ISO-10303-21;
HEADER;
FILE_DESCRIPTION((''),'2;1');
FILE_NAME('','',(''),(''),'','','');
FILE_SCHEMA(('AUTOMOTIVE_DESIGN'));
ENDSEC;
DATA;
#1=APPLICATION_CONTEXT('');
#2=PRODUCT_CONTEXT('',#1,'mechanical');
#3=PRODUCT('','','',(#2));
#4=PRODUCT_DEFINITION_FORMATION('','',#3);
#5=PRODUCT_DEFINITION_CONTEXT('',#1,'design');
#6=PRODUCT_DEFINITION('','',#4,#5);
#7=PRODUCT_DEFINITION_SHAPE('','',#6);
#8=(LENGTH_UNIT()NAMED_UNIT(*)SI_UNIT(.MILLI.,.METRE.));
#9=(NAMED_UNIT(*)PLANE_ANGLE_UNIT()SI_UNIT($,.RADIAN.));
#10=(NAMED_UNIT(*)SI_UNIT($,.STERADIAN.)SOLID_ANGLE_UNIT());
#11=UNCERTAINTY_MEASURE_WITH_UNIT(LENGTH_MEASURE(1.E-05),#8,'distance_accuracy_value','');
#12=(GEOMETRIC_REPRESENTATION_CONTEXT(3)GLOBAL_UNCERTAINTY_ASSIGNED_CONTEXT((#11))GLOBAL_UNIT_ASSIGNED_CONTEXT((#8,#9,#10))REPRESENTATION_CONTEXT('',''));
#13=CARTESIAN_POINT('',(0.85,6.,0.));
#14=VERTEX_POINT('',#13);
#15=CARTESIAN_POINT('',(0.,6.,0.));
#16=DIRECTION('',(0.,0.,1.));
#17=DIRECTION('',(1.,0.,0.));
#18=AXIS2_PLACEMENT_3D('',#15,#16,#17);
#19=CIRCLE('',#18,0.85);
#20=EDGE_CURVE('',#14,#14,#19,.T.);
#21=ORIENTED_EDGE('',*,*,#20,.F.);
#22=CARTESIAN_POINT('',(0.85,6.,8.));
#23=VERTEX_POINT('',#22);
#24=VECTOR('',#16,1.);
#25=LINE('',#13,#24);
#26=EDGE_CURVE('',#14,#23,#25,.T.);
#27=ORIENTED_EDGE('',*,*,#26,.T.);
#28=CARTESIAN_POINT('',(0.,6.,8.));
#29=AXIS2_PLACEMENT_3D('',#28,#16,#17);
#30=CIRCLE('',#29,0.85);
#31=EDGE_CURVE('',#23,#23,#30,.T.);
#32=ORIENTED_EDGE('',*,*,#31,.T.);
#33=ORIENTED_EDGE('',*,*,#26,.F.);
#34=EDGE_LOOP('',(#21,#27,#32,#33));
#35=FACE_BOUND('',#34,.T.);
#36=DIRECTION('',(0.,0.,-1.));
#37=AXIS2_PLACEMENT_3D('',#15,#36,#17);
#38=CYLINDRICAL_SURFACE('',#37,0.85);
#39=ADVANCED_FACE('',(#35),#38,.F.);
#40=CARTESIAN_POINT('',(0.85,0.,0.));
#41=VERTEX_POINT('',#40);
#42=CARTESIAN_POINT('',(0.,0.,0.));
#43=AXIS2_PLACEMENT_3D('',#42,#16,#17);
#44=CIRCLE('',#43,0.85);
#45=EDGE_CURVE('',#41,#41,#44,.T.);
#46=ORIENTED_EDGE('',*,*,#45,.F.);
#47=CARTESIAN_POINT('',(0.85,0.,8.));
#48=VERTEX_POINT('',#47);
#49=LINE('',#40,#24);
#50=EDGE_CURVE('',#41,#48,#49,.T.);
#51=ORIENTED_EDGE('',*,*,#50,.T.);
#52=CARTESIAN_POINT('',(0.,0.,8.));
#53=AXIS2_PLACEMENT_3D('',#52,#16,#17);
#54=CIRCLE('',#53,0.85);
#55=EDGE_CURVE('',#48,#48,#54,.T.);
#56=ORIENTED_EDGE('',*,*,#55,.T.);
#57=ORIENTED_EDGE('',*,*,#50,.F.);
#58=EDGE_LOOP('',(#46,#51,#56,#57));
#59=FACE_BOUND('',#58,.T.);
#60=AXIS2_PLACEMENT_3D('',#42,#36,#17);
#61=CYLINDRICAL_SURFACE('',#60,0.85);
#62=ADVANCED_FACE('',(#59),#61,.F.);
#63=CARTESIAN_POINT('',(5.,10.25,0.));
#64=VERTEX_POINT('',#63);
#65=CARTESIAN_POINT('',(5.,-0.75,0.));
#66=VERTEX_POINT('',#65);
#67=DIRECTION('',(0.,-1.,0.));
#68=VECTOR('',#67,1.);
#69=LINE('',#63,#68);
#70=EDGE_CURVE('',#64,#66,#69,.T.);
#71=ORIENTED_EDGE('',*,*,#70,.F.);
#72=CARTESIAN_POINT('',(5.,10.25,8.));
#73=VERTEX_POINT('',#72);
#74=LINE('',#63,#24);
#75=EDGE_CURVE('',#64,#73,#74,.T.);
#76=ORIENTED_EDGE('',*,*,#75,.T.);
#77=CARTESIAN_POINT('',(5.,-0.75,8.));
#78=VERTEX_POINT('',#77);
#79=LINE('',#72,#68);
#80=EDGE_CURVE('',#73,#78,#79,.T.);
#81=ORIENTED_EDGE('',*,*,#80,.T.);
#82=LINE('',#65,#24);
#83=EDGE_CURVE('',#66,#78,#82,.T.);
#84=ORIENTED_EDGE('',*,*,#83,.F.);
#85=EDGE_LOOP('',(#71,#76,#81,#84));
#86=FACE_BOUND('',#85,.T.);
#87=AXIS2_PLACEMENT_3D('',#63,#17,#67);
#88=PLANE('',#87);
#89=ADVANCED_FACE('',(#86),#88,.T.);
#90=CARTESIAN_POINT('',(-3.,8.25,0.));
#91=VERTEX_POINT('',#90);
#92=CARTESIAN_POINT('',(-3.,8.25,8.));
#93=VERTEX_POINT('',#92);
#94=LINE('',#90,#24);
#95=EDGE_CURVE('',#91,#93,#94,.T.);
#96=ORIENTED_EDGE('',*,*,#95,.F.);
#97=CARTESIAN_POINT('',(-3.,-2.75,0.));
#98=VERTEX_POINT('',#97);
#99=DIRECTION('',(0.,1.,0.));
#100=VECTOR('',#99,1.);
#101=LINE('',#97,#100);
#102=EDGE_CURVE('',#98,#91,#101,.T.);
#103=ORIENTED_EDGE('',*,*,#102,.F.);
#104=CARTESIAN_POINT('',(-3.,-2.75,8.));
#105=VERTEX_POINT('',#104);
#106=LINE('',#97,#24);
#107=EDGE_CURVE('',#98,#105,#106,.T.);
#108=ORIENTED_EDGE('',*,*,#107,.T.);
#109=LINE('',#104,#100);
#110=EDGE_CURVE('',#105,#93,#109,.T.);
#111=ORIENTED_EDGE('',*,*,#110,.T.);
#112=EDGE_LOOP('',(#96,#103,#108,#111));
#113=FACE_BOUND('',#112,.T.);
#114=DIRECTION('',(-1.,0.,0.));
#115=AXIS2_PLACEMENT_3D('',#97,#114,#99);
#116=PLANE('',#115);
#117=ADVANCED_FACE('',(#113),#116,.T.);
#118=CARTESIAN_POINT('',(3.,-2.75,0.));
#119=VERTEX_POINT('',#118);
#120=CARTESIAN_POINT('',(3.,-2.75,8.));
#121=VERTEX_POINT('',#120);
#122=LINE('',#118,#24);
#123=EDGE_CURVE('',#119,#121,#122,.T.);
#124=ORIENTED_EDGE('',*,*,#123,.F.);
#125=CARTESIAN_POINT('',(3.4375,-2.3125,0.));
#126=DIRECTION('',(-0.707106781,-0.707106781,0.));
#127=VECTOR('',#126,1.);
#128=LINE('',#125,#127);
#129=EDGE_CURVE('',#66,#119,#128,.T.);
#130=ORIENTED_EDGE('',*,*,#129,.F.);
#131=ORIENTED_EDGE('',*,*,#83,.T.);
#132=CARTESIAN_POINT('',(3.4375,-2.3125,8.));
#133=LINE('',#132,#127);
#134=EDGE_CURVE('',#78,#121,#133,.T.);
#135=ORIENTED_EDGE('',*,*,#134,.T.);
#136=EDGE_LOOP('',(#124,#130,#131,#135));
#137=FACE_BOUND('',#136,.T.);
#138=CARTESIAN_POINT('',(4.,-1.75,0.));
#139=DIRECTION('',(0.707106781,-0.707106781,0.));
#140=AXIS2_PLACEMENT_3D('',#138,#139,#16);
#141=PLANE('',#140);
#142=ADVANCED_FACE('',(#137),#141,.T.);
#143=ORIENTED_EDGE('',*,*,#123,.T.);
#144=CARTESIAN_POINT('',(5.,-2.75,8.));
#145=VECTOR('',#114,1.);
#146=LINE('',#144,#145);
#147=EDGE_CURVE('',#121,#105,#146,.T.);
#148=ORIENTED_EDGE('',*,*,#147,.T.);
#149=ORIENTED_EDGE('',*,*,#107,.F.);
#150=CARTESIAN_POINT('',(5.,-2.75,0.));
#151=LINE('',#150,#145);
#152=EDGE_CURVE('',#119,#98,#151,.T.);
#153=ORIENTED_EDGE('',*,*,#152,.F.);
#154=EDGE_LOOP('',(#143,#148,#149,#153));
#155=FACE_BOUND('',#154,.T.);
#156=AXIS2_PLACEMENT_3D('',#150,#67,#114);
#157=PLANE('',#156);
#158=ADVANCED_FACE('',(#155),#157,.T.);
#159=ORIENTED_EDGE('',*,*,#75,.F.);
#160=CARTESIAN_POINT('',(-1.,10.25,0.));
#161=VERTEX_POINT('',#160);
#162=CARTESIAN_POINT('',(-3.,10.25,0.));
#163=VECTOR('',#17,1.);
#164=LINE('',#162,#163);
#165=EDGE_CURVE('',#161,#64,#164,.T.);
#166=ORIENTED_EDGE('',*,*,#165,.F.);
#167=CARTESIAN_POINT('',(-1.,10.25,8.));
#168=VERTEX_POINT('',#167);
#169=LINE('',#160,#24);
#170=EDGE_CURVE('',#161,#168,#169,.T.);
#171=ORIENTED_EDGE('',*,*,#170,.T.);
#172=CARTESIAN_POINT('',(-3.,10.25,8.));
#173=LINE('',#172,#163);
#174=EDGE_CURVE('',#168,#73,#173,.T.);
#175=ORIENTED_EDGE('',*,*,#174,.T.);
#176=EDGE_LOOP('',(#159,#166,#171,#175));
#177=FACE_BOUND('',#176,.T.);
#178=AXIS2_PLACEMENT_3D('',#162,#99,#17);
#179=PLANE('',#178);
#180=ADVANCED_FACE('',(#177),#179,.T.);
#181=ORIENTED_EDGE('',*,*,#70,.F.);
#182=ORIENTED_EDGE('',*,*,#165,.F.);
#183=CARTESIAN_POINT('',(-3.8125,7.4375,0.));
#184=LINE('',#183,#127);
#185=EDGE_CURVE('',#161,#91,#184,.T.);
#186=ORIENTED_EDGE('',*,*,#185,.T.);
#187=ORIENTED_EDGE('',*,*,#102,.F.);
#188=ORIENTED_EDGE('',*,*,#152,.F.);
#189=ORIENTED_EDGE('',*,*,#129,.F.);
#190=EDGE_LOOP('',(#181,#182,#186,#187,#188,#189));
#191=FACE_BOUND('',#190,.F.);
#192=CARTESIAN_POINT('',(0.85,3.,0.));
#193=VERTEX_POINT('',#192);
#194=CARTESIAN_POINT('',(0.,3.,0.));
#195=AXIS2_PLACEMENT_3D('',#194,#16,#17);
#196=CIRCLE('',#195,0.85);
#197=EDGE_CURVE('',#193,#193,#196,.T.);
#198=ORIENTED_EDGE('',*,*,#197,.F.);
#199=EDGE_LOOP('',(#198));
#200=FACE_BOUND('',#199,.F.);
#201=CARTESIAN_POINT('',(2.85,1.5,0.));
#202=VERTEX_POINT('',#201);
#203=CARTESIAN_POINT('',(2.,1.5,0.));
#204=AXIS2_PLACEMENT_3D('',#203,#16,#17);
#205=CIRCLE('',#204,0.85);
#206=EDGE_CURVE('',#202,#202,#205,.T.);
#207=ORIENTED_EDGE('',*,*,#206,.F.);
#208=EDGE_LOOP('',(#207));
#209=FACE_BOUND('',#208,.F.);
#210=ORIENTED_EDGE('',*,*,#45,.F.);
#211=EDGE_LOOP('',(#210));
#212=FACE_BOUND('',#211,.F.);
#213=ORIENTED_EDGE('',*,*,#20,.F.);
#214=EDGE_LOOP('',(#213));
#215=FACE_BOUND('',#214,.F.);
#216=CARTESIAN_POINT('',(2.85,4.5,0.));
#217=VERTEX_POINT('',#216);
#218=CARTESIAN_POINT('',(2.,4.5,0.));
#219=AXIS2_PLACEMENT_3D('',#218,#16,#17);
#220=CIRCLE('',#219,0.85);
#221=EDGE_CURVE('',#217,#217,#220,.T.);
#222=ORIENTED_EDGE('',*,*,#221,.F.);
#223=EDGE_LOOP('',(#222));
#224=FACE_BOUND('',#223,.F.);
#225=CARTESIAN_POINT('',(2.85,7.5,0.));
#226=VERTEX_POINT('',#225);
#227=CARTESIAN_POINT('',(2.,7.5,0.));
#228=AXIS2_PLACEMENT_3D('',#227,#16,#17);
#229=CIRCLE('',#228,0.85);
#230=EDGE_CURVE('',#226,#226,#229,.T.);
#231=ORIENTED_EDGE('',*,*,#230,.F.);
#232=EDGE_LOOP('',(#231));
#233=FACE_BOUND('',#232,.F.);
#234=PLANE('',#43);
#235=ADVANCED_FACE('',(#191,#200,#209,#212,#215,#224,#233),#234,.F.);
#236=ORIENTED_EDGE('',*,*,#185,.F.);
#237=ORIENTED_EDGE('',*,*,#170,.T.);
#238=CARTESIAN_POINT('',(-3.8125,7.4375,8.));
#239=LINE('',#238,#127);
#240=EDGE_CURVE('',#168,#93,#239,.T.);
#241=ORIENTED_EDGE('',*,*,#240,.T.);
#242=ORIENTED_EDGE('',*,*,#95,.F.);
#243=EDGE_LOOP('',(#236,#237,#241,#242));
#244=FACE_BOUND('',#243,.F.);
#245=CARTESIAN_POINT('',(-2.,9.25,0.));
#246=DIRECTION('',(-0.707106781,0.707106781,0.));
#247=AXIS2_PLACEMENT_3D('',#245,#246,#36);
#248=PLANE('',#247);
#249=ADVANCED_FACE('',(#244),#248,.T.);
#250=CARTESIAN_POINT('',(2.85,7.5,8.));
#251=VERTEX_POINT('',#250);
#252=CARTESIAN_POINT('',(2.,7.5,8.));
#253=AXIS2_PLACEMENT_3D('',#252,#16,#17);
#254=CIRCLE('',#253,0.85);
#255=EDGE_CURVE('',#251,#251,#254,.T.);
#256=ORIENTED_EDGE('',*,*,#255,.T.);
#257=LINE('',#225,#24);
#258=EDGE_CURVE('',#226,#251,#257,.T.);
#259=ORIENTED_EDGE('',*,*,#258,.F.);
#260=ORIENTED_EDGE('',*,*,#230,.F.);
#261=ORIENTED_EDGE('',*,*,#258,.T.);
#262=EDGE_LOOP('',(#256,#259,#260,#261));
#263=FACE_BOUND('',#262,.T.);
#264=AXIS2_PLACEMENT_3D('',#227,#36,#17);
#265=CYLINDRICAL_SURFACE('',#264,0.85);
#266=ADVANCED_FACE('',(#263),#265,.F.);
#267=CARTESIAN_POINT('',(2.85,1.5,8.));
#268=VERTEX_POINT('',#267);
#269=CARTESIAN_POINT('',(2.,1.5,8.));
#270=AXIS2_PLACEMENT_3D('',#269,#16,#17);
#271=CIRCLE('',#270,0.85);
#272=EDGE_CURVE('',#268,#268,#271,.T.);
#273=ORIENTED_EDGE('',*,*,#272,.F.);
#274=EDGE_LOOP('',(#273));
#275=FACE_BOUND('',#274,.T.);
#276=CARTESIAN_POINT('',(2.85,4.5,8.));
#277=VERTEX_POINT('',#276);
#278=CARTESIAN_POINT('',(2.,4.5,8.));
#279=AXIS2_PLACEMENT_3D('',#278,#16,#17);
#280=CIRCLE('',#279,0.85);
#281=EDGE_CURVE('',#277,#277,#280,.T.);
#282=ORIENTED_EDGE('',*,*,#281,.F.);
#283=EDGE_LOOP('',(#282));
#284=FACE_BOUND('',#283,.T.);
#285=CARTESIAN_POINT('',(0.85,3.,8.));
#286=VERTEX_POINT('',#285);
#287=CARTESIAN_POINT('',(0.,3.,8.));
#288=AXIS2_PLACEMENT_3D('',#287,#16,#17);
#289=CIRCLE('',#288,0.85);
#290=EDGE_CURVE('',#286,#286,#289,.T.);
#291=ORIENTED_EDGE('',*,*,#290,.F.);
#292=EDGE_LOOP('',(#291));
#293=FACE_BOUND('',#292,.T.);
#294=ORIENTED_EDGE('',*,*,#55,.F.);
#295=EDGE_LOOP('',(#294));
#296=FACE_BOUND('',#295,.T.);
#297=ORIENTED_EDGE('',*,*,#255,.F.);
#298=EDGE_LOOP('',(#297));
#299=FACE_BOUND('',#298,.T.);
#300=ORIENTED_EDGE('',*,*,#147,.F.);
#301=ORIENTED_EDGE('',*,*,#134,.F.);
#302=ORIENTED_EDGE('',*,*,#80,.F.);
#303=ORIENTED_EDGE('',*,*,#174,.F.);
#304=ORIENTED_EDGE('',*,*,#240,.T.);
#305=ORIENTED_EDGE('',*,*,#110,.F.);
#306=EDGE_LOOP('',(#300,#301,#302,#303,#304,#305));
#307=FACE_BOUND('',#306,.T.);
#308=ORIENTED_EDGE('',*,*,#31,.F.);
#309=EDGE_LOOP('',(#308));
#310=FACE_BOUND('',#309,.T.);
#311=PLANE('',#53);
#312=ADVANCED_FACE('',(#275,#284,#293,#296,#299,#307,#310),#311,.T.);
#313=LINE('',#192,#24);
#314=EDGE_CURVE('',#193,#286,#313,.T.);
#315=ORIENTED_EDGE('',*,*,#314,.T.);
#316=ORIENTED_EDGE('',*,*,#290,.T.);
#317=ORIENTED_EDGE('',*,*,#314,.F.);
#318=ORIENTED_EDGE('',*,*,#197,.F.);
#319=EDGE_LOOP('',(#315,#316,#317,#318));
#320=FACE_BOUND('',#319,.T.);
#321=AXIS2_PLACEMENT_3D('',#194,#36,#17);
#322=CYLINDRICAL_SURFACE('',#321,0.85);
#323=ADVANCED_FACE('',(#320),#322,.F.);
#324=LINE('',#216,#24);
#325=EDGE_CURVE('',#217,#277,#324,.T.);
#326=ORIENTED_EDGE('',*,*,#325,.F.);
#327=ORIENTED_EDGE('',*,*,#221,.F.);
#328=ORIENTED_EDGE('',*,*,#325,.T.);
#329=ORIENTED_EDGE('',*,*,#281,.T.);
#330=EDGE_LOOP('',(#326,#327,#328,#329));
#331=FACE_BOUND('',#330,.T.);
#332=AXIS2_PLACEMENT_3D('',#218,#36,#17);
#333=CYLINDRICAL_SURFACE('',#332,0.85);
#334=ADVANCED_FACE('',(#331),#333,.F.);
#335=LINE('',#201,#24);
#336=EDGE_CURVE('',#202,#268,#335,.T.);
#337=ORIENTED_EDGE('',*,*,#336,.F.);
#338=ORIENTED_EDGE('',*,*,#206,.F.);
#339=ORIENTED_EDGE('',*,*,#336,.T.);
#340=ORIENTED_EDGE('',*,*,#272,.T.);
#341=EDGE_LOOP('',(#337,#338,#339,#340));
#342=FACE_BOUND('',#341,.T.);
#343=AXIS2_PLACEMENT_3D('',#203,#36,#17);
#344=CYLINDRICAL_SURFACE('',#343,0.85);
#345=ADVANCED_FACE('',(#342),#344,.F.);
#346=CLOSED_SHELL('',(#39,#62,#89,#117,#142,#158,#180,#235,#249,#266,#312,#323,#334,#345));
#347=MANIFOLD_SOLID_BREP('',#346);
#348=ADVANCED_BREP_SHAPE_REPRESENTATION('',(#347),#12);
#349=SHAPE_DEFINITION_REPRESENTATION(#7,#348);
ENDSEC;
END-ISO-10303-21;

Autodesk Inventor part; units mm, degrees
ref_plane "YZ Plane" through (0, 0, 0) normal (1, 0, 0) x (0, 1, 0)
ref_plane "XZ Plane" through (0, 0, 0) normal (0, 1, 0) x (-1, 0, 0)
ref_plane "XY Plane" through (0, 0, 0) normal (0, 0, 1) x (1, 0, 0)
sketch "Skizze1" plane through (0, 0, 0) normal (0, 0, 1) x (1, 0, 0)
  circle A0 centre (0, 0) radius 0.85
  line L0 (0, 0) -> (2, 0) construction
  line L1 (2, 0) -> (2, 1.5) construction
  line L2 (0, 0) -> (0, 3) construction
  circle A1 centre (0, 3) radius 0.85
  circle A2 centre (2, 1.5) radius 0.85
  circle A3 centre (0, 6) radius 0.85
  circle A4 centre (2, 4.5) radius 0.85
  circle A5 centre (2, 7.5) radius 0.85
  line L3 (2, 7.5) -> (2, 4.5) construction
  line L4 (2, 4.5) -> (2, 1.5) construction
  line L5 (0, 3) -> (0, 6) construction
  line L6 (-3, 10.25) -> (5, 10.25)
  line L7 (5, 10.25) -> (5, -2.75)
  line L8 (5, -2.75) -> (-3, -2.75)
  line L9 (-3, -2.75) -> (-3, 10.25)
  dimension "d0" = 1.7
  dimension "d1" = 2
  dimension "d2" = 1.5
  dimension "d3" = 3
  dimension "d4" = 1.7
  dimension "d5" = 1.7
  dimension "d6" = 1.7
  dimension "d7" = 1.7
  dimension "d8" = 1.7
  dimension "d9" = 3
  dimension "d10" = 3
  dimension "d11" = 3
  dimension "d23" = 8
  dimension "d24" = 2
  dimension "d25" = 3
  dimension "d26" = 13
  dimension "d27" = 7.5
  dimension "d28" = 2.75
extrude "Extrusion1" add sketch "Skizze1" along normal blind 8
chamfer "Fase1" distance 2 angle 45 2 edges at (5, -2.75, 4) (-3, 10.25, 4)
sketch "Skizze2" plane through (-3, -2.75, 0) normal (-1, 0, 0) x (0, 0, 1)
  line L0 (2.2899, 8.4375) -> (7.9071, 8.4375) construction
  line L1 (7.9071, 8.4375) -> (7.9071, -0.4674) construction
  line L2 (7.9071, -0.4674) -> (2.2899, -0.4674) construction
  line L3 (2.2899, -0.4674) -> (2.2899, 8.4375) construction
  point P0 (0, 2.75)
extrude "Extrusion2" [suppressed]
equation "\"d4\" = d0"
equation "\"d5\" = d4"
equation "\"d6\" = d4"
equation "\"d7\" = d4"
equation "\"d8\" = d6"
equation "\"d9\" = d3"
equation "\"d10\" = d3"
equation "\"d11\" = d3"
properties part number "con_case"
